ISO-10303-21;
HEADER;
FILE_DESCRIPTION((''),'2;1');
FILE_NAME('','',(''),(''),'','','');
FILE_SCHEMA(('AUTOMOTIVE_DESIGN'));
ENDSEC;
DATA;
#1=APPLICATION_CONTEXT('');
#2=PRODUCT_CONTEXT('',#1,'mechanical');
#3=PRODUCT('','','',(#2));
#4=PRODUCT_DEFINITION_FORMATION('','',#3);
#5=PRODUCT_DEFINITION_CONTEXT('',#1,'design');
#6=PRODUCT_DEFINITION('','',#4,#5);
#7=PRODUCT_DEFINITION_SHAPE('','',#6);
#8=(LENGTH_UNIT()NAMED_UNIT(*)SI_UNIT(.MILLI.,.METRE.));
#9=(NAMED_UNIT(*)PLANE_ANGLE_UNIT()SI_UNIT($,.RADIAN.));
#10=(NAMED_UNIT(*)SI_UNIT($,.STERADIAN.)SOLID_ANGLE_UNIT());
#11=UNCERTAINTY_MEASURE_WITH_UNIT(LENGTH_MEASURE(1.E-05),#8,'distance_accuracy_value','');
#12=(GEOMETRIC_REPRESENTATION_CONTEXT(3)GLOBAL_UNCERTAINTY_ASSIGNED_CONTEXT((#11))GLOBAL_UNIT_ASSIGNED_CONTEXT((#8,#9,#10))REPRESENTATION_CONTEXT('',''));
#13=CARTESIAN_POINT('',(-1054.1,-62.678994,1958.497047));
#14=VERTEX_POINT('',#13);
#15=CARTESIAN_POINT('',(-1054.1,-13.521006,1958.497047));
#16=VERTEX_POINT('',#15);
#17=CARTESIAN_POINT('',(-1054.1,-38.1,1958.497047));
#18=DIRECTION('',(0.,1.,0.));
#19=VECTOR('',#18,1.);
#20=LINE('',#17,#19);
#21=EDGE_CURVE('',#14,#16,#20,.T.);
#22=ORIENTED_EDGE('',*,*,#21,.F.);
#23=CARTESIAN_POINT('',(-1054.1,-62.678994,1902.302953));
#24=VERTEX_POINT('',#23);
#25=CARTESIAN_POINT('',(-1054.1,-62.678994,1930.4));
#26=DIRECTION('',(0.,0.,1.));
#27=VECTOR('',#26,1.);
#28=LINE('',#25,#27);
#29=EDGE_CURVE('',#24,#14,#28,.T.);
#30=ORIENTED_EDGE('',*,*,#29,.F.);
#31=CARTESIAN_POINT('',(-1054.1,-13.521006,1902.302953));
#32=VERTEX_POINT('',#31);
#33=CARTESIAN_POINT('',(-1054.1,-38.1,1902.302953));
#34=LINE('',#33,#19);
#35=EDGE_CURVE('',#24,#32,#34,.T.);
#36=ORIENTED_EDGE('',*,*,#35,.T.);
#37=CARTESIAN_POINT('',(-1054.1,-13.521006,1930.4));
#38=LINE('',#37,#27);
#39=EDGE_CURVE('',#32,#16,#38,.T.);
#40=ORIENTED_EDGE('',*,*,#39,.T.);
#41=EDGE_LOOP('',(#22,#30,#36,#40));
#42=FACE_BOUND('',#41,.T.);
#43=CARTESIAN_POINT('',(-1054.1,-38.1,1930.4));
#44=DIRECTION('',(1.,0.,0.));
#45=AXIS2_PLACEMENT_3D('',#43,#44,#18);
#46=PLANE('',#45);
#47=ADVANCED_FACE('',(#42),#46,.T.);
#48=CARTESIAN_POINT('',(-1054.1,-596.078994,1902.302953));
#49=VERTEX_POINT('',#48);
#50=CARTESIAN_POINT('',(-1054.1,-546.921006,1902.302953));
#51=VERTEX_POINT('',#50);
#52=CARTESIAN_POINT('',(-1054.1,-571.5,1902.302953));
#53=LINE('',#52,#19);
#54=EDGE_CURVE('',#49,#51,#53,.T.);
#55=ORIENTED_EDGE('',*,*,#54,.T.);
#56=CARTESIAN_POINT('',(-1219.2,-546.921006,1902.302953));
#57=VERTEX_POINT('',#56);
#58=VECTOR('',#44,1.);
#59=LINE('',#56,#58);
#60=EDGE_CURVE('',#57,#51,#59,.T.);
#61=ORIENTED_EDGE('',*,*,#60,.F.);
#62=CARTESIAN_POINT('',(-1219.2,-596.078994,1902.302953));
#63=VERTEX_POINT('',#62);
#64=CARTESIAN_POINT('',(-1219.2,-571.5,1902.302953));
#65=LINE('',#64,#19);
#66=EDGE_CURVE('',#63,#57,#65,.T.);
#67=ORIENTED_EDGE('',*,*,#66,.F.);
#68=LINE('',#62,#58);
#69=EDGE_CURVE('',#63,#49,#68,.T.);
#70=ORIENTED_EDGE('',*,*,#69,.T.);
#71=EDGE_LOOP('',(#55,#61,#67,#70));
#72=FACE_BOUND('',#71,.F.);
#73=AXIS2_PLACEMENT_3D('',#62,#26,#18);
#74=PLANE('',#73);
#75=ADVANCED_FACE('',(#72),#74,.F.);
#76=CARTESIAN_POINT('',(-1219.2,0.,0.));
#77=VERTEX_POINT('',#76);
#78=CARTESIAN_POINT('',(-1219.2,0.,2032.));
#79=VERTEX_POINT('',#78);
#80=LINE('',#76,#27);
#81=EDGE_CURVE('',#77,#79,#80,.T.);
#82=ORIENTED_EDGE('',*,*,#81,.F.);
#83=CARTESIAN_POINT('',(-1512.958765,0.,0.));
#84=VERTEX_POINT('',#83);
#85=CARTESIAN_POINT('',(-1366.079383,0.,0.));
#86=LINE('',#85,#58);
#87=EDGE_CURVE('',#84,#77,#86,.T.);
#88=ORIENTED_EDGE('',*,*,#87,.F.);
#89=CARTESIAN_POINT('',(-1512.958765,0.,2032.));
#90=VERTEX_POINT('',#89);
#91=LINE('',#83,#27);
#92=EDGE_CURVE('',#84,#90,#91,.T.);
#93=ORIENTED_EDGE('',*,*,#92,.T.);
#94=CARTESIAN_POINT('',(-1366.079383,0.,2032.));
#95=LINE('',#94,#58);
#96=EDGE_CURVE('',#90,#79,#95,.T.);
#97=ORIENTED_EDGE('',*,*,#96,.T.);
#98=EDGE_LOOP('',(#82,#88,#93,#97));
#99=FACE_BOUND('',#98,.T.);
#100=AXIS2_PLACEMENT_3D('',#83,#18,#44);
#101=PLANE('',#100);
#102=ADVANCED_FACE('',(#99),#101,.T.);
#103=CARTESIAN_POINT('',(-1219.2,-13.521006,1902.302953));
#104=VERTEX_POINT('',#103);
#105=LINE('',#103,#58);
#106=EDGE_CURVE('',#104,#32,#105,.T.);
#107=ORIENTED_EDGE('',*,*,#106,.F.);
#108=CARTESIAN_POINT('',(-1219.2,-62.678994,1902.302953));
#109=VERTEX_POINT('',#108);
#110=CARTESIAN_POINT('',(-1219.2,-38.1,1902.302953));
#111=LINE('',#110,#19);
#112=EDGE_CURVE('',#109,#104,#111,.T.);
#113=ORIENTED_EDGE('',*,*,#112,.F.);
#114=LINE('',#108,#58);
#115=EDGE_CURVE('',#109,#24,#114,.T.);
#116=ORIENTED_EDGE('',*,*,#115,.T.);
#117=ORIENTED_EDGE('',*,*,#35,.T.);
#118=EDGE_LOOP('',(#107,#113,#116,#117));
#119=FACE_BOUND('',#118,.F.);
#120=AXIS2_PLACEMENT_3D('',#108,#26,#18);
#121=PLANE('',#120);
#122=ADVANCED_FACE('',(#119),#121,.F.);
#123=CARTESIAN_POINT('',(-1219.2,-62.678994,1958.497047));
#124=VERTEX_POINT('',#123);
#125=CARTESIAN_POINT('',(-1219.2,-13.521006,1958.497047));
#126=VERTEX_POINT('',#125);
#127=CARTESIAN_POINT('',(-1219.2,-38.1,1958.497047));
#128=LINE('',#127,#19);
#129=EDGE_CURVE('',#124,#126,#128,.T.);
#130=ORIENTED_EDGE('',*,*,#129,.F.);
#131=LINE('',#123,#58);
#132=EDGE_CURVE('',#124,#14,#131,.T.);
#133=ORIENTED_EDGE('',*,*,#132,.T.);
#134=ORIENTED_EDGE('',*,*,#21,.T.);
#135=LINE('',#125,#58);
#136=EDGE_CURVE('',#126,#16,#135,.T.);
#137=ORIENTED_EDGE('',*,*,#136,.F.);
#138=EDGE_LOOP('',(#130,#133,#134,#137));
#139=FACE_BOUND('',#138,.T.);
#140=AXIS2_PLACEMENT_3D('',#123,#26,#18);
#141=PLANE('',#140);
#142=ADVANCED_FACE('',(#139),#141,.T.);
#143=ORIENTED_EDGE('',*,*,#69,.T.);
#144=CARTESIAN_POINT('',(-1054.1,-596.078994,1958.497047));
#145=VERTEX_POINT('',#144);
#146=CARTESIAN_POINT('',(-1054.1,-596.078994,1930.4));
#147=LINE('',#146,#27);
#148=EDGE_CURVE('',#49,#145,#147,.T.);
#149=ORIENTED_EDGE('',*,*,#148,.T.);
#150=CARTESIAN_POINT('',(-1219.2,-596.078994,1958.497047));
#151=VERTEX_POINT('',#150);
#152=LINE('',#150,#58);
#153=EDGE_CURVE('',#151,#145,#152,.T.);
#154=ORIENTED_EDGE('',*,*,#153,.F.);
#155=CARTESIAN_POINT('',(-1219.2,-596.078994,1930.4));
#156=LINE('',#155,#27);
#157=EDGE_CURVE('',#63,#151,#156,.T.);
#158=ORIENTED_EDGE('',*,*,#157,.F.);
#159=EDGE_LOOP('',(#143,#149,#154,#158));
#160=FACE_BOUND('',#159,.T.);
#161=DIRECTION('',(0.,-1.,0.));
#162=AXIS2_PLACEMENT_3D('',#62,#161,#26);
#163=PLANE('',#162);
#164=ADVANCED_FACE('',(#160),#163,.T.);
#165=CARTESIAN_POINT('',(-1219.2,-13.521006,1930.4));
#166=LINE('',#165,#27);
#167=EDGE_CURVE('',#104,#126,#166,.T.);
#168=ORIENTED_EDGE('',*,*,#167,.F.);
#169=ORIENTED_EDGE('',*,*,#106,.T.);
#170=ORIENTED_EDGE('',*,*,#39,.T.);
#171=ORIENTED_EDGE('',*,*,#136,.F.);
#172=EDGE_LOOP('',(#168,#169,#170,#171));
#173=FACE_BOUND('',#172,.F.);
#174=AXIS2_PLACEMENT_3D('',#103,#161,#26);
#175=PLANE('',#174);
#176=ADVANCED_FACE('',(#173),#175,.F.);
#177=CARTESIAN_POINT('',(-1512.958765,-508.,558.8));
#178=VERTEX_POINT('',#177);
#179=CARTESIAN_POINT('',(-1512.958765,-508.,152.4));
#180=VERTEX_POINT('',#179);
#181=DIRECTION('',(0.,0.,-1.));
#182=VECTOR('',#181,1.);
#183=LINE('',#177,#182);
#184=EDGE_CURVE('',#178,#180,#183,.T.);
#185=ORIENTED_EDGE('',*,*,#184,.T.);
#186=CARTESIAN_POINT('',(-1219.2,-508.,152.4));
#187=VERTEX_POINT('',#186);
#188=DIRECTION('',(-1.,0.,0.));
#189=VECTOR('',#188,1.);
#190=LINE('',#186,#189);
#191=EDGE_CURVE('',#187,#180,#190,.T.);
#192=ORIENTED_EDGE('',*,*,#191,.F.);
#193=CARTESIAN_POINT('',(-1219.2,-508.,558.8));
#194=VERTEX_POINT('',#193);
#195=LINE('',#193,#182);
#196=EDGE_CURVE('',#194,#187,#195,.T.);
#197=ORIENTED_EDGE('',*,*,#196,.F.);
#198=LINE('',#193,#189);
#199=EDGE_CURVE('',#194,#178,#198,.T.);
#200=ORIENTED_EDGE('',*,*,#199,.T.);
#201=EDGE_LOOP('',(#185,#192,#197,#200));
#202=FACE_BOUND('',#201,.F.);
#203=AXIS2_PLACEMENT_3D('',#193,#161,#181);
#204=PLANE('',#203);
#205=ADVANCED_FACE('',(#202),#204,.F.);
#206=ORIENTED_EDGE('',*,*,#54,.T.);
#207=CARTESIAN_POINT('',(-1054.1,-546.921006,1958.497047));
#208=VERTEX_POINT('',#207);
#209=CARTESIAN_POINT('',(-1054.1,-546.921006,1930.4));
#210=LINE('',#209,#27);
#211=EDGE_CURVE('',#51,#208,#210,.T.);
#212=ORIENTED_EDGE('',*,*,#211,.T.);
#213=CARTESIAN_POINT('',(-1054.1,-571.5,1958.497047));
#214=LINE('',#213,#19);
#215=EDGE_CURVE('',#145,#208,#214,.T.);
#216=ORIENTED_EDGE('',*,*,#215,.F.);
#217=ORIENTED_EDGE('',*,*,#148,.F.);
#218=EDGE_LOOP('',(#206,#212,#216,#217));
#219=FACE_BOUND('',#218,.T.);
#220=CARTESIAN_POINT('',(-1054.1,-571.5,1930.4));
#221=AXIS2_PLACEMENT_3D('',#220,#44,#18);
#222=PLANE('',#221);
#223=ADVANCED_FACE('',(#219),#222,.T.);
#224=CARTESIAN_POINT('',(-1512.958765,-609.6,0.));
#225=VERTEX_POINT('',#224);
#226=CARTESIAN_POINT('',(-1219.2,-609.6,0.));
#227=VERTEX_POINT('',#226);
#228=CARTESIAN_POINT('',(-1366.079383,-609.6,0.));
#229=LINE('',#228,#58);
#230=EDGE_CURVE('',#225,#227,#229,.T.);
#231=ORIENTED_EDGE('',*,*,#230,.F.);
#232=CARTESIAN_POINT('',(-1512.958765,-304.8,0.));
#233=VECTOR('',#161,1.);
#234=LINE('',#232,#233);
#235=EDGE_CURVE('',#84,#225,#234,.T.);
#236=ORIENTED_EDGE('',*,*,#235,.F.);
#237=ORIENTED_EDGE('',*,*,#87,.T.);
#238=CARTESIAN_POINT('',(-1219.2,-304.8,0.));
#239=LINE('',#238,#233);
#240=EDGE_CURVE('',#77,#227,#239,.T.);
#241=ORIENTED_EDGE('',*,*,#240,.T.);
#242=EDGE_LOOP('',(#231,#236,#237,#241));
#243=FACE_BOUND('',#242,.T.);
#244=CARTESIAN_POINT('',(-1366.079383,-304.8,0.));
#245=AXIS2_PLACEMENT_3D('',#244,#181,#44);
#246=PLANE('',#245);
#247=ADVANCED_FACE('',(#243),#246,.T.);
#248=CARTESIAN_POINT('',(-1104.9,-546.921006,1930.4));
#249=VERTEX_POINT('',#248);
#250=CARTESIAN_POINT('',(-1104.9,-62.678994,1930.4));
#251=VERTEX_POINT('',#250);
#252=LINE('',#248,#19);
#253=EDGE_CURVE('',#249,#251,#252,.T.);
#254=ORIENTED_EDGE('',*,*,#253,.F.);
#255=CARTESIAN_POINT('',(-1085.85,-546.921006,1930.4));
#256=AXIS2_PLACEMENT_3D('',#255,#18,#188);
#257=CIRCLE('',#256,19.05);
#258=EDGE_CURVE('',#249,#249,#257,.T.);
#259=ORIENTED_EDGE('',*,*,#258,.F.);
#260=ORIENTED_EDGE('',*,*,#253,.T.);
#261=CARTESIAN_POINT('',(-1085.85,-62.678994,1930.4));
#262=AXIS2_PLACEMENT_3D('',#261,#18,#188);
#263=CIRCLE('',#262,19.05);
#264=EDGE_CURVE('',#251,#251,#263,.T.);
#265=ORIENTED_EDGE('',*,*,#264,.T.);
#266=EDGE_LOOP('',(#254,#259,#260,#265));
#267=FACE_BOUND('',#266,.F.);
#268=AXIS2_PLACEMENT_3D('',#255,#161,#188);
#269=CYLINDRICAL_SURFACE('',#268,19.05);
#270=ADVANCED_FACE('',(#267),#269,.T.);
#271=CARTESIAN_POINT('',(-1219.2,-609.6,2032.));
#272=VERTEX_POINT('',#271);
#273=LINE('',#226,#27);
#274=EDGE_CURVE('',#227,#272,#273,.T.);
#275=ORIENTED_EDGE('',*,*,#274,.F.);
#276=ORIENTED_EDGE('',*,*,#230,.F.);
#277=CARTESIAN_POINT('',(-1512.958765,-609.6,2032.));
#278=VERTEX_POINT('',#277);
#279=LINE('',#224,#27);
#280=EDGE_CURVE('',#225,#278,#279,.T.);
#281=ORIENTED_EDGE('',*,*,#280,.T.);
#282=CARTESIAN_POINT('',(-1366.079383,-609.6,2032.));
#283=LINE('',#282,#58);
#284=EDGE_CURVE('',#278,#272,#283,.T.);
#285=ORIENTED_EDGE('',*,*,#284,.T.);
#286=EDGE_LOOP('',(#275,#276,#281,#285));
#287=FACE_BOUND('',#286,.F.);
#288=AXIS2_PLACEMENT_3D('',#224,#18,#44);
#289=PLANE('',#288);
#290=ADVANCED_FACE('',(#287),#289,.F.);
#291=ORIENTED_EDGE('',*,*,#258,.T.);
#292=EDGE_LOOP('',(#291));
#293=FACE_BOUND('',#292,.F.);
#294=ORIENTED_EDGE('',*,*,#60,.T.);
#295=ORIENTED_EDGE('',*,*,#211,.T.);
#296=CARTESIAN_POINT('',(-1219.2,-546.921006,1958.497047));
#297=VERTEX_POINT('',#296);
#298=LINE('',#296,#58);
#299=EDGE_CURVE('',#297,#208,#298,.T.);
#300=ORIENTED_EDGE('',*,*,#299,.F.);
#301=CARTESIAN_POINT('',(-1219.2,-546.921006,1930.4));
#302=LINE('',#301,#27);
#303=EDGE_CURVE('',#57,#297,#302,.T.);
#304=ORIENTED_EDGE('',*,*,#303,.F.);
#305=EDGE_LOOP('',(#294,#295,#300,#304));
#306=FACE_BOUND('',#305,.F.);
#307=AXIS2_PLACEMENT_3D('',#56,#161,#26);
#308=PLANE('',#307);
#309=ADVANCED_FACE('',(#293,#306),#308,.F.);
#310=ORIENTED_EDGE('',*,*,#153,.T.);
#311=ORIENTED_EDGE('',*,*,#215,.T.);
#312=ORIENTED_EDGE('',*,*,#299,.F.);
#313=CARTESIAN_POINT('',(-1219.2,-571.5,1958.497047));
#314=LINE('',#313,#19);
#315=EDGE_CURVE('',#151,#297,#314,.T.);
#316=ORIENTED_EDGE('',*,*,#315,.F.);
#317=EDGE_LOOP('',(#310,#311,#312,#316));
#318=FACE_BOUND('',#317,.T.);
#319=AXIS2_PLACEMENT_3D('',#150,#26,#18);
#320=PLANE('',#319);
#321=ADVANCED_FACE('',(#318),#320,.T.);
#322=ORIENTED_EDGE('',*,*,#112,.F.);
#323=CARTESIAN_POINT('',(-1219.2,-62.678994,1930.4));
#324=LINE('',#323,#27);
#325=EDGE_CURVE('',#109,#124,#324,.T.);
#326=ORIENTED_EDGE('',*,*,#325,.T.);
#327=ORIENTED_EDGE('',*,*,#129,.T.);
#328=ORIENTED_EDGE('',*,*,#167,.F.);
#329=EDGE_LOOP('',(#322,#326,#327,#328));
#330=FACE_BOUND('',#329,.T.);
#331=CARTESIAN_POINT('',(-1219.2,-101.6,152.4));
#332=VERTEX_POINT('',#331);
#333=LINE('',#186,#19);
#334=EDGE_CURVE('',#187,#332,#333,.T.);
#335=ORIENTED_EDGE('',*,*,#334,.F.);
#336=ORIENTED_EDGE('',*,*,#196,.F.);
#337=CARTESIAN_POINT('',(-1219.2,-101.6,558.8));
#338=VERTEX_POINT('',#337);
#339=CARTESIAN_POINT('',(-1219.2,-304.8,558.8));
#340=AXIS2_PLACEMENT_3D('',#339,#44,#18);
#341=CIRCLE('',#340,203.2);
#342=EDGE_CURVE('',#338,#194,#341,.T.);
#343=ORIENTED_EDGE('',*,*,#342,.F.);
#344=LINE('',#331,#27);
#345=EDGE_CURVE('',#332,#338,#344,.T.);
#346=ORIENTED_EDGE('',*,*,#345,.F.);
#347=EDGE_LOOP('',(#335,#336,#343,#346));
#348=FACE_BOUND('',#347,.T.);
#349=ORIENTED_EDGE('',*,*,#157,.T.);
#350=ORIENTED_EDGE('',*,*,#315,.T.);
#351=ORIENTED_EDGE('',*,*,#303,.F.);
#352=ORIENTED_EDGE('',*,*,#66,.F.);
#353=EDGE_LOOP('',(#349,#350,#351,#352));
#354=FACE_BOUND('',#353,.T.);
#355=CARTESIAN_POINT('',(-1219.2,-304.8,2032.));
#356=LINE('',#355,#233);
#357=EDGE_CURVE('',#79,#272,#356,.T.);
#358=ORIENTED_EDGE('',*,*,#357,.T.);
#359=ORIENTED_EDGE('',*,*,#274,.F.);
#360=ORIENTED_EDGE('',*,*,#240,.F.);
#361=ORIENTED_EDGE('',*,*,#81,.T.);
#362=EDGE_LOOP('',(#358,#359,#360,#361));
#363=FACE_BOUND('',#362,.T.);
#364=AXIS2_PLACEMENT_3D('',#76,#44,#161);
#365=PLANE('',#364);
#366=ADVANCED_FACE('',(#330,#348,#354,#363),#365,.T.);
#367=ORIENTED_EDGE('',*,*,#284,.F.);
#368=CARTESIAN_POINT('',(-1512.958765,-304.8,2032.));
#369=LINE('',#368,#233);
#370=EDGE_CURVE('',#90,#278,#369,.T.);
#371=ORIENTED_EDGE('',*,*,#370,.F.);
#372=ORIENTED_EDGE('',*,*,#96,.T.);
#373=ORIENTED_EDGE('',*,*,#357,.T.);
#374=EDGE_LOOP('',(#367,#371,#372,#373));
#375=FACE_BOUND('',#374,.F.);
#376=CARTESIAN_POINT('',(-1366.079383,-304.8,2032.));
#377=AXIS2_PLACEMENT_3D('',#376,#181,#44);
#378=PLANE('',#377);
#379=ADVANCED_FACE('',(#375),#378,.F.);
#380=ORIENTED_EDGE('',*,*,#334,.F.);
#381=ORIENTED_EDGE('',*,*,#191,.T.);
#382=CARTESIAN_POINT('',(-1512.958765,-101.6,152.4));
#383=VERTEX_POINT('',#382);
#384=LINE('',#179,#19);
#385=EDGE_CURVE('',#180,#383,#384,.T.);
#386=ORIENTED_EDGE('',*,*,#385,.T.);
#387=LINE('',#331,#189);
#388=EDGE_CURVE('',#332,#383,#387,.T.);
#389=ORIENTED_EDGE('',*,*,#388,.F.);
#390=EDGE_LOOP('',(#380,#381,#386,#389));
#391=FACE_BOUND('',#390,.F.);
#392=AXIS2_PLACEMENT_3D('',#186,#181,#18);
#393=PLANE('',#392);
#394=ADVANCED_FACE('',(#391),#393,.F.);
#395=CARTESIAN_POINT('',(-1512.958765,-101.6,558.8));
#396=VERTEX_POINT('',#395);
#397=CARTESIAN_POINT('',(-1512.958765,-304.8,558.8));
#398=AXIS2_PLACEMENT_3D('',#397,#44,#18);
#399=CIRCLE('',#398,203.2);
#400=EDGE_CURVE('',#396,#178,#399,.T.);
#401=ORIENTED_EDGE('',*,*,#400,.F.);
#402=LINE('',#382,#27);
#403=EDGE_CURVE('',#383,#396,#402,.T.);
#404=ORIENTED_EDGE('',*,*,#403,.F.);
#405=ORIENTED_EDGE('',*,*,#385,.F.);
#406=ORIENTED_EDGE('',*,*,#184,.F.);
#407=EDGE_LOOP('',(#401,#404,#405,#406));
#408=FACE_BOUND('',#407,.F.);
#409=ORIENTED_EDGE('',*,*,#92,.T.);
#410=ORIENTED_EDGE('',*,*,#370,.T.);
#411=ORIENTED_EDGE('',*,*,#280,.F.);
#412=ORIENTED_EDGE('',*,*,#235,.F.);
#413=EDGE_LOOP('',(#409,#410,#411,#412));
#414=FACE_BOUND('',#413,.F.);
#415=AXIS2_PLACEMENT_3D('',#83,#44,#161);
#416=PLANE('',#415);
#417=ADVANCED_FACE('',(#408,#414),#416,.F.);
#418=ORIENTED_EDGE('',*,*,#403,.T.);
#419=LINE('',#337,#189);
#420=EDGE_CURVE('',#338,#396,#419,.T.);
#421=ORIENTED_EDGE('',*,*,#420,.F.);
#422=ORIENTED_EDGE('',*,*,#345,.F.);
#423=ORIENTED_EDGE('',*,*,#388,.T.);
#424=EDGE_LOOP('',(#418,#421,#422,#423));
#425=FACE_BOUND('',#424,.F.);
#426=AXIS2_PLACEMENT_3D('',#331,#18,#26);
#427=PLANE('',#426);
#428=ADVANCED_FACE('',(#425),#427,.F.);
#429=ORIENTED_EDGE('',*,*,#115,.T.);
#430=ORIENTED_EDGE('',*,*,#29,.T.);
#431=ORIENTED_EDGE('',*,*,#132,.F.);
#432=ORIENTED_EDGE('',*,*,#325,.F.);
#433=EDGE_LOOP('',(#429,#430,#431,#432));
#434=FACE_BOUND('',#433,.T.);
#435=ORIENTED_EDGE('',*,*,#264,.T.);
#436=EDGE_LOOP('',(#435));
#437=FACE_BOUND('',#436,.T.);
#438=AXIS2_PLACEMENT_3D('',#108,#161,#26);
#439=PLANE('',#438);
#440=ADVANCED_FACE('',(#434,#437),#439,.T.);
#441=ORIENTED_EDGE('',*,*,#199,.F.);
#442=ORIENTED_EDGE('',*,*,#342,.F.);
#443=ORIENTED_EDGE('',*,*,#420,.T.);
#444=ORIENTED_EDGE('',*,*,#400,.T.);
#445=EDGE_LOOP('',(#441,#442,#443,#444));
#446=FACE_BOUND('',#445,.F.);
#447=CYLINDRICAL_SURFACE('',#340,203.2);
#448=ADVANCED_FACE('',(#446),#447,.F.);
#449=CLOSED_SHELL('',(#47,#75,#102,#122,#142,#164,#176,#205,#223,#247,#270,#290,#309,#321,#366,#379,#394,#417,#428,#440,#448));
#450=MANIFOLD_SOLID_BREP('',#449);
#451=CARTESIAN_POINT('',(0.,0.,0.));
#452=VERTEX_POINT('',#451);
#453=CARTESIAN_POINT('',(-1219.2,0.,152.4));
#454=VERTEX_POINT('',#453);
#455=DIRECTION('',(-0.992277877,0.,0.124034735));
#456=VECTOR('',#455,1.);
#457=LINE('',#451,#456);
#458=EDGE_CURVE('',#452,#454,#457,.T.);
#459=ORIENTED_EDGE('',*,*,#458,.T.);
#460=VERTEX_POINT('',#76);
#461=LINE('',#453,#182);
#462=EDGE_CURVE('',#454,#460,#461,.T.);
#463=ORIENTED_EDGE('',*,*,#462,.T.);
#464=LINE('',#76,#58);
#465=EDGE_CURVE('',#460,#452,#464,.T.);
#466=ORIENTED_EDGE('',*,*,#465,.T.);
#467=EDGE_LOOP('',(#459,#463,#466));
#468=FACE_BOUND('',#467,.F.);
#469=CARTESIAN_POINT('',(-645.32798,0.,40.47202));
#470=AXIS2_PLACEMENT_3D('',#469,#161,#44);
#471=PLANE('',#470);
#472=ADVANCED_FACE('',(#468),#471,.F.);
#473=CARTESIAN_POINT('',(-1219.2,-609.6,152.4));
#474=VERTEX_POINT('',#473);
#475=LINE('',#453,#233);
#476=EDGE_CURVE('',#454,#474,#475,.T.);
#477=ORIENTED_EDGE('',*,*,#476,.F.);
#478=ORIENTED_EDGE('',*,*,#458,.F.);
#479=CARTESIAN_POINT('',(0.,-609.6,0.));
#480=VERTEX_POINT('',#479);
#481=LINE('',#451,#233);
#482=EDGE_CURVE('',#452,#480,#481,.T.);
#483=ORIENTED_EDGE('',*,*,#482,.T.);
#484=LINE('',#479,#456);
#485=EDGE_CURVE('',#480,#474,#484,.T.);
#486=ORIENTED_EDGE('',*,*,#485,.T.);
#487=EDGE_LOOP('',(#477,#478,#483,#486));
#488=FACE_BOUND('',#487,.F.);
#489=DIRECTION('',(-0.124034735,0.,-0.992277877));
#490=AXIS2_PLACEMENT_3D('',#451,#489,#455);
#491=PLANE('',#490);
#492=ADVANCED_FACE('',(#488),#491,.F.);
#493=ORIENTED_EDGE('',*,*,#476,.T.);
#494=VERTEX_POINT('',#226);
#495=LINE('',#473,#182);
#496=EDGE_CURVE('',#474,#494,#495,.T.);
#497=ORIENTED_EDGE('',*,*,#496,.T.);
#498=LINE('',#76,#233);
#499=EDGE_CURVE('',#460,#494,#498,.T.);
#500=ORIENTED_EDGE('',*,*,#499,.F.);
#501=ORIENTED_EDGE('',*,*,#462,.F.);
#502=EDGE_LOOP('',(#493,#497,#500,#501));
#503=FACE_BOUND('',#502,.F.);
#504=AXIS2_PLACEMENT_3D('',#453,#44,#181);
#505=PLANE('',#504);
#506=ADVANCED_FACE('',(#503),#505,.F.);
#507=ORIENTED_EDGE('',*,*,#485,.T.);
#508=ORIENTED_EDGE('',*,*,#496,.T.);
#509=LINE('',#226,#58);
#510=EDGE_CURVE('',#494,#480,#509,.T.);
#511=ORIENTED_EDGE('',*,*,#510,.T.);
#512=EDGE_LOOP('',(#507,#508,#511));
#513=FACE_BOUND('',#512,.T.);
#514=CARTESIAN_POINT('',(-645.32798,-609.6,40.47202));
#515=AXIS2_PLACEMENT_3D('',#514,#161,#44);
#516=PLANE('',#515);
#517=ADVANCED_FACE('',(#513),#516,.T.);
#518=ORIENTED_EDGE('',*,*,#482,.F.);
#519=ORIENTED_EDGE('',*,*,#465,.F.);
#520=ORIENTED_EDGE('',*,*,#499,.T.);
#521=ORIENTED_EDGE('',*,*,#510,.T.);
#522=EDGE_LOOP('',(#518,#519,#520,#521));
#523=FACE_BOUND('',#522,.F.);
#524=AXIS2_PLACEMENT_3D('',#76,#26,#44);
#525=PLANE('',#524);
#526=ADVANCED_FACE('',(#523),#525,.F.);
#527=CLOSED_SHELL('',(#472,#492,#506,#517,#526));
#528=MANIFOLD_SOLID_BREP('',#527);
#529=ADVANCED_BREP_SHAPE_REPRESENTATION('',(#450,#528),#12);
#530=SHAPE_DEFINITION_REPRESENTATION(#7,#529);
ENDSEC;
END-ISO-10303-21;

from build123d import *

# Parameters (mm, degrees)
F1_DEPTH = 609.6
F2_W     = 293.7587650299
F2_H     = 609.6
F3_DEPTH = 2032
F4_W     = 49.1579873383
F4_H     = 56.1940948486
F5_DEPTH = 165.1
F6_R     = 19.05
F7_DEPTH = 484.2420126617
F9_DEPTH = 293.7587650299


with BuildPart() as f1:
    # F0 (on Front) → F1 (new body)
    with BuildSketch(Plane.XZ):
        Polygon((-1219.2, 0), (0, 0), (-1219.2, 152.4), align=None)
    extrude(amount=F1_DEPTH)


with BuildPart() as f3:
    # F2 (on face) → F3 (new body)
    with BuildSketch(Plane(origin=(0, 0, 0), x_dir=(1, 0, 0), z_dir=(0, 0, -1))):
        with Locations((-1366.079382515, 304.8)):
            Rectangle(F2_W, F2_H)
    extrude(amount=-F3_DEPTH)

    # F4 (on face) → F5 (join)
    with BuildSketch(Plane.YZ.offset(-1219.2)):
        with Locations((-571.5, 1930.4)):
            Rectangle(F4_W, F4_H)
        with Locations((-38.1, 1930.4)):
            Rectangle(F4_W, F4_H)
    extrude(amount=F5_DEPTH)

    # F6 (on face) → F7 (join, through all)
    with BuildSketch(Plane(origin=(0, -546.9210063308, 0), x_dir=(-1, 0, 0), z_dir=(0, 1, 0))):
        with Locations((1085.85, 1930.4)):
            Circle(F6_R)
    extrude(amount=F7_DEPTH)

    # F8 (on face) → F9 (cut, through all)
    with BuildSketch(Plane.YZ.offset(-1219.2)):
        with BuildLine():
            Line((-508, 558.8), (-508, 152.4))
            Line((-508, 152.4), (-101.6, 152.4))
            Line((-101.6, 152.4), (-101.6, 558.8))
            ThreePointArc((-101.6, 558.8), (-304.8, 762), (-508, 558.8))
        make_face()
    extrude(amount=-F9_DEPTH, mode=Mode.SUBTRACT)


solid = Compound([f1.part, f3.part])
